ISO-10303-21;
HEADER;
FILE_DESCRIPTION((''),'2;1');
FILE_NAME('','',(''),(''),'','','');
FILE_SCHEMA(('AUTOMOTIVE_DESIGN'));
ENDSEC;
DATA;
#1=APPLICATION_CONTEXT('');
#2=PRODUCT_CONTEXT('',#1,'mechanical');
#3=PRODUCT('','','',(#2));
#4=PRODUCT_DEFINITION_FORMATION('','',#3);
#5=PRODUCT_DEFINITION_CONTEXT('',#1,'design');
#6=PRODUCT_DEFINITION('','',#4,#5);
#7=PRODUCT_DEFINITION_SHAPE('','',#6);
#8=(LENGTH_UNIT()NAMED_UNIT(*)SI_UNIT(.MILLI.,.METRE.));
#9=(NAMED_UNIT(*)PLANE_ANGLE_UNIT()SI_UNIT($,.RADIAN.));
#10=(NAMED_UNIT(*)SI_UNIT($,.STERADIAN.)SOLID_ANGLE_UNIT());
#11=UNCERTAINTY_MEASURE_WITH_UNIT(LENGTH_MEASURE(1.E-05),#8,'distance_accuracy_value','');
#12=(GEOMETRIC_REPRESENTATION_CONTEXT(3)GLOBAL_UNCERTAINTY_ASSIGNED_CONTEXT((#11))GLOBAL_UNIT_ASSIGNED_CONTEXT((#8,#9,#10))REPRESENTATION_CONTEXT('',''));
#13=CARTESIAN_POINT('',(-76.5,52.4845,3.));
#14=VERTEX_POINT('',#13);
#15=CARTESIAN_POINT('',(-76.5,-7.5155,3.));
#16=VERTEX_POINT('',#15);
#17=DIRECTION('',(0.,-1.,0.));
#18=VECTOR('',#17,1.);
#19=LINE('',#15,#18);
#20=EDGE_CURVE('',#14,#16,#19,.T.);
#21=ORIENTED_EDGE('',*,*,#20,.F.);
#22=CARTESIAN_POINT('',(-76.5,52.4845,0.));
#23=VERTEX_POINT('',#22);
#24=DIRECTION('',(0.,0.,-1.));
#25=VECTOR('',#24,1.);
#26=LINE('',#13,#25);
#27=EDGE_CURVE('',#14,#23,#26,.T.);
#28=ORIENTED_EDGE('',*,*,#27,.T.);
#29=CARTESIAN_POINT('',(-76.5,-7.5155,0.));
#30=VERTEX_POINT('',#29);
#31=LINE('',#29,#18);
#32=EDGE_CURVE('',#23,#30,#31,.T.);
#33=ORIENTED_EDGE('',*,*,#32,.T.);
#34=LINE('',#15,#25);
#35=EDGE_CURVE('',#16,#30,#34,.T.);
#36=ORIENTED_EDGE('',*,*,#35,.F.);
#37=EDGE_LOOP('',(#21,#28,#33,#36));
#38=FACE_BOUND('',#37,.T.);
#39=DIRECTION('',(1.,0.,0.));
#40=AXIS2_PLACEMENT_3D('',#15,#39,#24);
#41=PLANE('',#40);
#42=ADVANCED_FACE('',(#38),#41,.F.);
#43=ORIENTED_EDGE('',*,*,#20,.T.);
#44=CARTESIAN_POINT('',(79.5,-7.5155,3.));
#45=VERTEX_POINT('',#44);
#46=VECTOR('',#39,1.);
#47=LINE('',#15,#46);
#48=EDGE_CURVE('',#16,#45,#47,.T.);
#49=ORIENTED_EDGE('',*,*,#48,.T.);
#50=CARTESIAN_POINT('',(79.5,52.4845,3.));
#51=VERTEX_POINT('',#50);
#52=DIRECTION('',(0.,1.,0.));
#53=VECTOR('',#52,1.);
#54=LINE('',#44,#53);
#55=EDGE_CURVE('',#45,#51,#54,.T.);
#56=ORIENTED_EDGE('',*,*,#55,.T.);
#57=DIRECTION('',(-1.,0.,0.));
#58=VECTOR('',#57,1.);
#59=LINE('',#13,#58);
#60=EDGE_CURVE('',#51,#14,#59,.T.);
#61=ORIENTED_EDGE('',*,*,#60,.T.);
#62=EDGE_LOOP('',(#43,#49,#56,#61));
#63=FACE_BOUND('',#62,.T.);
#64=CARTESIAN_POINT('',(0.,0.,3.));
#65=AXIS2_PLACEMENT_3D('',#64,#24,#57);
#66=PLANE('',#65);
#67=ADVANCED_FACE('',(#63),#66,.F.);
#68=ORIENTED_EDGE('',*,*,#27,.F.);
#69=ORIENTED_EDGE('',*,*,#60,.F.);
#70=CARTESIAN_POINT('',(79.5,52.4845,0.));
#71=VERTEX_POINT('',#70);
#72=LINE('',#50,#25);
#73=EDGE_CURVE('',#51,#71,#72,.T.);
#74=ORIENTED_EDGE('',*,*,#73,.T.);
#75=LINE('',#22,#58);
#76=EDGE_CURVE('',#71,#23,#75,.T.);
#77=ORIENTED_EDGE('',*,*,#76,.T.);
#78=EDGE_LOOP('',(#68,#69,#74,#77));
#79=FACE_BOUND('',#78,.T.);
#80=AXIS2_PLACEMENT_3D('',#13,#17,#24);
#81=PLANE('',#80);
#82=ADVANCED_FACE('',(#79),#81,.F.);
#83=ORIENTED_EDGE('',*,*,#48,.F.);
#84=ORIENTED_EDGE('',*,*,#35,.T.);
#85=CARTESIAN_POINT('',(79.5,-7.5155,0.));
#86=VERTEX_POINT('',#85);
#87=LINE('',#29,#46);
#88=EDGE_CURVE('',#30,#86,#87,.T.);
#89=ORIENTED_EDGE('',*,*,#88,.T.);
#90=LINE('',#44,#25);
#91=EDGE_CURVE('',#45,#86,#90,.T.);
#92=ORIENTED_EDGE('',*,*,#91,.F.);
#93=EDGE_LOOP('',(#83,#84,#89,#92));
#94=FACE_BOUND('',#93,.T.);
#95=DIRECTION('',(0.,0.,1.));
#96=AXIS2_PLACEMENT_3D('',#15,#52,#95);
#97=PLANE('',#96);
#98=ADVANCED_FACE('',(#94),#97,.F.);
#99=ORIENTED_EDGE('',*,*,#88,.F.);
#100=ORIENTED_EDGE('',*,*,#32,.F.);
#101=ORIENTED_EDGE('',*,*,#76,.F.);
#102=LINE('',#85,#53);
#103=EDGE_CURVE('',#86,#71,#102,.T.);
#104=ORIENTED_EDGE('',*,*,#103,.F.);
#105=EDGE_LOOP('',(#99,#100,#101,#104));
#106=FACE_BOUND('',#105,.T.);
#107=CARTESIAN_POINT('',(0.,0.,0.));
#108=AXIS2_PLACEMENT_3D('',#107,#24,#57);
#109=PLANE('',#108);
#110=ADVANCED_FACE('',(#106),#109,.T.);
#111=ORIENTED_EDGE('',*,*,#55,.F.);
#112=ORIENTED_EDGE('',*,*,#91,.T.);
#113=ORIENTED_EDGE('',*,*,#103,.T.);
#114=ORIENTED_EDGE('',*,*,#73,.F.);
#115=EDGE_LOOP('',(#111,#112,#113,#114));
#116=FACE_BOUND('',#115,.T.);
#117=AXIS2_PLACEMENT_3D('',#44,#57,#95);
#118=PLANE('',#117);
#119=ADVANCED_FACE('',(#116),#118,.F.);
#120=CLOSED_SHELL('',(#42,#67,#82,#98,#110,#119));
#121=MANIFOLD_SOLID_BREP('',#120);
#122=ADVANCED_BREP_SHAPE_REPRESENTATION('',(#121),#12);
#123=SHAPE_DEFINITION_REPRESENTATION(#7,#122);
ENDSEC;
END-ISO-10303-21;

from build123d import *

# Parameters (mm, degrees)
ESQUISSE1_W        = 156
ESQUISSE1_H        = 60
BOSS_EXTRU_1_DEPTH = 3


with BuildPart() as part:
    # Esquisse1 → Boss.-Extru.1 (new body)
    with BuildSketch(Plane.XY):
        with Locations((1.5, 22.484499856)):
            Rectangle(ESQUISSE1_W, ESQUISSE1_H)
    extrude(amount=BOSS_EXTRU_1_DEPTH)


solid = part.part
